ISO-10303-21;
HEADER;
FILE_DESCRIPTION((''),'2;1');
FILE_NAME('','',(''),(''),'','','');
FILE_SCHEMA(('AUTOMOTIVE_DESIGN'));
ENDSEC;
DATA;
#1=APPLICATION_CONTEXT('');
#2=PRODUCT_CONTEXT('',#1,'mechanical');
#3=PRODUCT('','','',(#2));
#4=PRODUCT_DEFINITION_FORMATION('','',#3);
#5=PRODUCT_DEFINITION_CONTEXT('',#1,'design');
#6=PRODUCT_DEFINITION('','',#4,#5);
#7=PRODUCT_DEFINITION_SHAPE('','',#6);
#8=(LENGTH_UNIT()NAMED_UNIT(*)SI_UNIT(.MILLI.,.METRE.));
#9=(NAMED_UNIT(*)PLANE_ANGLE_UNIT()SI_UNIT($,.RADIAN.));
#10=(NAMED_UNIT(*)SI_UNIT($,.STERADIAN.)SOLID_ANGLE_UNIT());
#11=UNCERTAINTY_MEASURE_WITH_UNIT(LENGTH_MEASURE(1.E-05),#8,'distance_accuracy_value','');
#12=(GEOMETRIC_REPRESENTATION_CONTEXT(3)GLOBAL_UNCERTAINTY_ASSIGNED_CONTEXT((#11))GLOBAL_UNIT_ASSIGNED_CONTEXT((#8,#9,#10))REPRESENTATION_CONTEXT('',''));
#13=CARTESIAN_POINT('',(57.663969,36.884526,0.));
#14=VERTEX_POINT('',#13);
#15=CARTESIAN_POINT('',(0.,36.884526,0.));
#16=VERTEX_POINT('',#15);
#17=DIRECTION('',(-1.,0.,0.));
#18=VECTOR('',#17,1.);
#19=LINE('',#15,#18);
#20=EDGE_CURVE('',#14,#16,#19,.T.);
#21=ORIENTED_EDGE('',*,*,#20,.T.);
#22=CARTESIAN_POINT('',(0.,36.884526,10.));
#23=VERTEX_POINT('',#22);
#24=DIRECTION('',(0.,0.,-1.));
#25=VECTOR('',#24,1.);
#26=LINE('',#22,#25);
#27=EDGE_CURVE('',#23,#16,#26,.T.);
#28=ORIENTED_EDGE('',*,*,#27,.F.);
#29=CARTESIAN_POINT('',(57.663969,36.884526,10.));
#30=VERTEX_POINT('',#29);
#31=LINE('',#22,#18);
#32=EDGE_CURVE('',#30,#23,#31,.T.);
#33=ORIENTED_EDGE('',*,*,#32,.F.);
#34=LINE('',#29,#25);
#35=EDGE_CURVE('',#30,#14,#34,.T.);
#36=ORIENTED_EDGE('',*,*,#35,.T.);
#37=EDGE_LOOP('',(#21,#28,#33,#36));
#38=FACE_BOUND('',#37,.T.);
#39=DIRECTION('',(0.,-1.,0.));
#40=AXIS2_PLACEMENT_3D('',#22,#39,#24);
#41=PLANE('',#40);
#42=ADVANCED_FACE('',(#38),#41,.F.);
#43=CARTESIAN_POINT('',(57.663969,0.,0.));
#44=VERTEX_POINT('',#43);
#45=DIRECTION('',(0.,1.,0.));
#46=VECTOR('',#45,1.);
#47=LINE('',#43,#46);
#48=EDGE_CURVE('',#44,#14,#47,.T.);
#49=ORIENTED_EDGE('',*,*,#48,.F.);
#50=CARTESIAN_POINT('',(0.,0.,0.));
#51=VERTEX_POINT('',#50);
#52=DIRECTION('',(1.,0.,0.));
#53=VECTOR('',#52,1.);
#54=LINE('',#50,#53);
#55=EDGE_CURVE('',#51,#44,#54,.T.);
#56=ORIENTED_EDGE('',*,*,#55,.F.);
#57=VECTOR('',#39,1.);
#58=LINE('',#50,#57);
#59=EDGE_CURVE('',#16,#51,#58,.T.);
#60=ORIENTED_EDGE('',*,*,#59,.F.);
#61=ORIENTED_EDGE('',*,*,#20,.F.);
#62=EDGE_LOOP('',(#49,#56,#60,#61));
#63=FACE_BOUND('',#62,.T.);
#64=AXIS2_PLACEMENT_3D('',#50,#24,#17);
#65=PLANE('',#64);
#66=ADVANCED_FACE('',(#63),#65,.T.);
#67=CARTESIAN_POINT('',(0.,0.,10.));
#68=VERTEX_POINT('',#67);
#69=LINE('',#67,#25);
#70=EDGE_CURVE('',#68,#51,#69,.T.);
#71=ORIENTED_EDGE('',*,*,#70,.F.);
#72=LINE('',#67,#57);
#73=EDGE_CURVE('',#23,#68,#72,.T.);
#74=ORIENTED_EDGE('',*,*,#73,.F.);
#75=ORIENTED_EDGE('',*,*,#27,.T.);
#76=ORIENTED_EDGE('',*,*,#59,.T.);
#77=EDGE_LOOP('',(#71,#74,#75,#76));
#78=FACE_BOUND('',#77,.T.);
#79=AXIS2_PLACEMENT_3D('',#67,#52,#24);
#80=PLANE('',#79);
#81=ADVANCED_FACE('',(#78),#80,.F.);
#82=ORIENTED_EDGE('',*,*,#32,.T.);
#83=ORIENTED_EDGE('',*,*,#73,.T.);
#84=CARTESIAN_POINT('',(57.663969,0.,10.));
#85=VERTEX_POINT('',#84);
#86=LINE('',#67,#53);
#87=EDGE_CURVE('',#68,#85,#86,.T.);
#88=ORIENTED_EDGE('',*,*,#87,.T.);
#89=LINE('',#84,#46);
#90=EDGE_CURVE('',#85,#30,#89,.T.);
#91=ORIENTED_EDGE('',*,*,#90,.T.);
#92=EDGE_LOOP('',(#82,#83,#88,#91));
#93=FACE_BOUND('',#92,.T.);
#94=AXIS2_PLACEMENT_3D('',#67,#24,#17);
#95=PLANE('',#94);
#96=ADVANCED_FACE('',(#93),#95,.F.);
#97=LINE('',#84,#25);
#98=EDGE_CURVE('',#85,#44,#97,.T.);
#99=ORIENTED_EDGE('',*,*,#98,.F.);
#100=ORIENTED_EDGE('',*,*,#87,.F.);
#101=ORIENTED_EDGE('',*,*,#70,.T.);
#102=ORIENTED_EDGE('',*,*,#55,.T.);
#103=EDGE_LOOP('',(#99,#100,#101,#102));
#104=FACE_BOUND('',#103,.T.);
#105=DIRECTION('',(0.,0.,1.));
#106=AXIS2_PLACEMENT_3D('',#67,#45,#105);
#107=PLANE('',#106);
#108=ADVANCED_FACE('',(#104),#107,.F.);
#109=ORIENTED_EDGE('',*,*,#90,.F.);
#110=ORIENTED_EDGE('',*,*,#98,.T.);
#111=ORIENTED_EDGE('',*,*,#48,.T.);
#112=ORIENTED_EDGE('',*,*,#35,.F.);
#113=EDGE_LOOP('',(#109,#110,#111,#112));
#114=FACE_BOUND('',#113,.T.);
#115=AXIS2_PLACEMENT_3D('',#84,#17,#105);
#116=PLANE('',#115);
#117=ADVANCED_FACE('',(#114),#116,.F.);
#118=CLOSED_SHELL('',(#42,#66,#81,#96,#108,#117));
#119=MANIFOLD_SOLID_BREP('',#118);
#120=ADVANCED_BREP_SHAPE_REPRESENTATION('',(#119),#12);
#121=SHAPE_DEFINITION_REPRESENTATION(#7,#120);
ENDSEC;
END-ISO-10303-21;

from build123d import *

# Parameters (mm, degrees)
ESQUISSE1_W        = 57.663969182
ESQUISSE1_H        = 36.884525939
BOSS_EXTRU_1_DEPTH = 10


with BuildPart() as part:
    # Esquisse1 → Boss.-Extru.1 (new body)
    with BuildSketch(Plane.XY):
        with Locations((28.831984591, 18.442262969)):
            Rectangle(ESQUISSE1_W, ESQUISSE1_H)
    extrude(amount=BOSS_EXTRU_1_DEPTH)


solid = part.part
